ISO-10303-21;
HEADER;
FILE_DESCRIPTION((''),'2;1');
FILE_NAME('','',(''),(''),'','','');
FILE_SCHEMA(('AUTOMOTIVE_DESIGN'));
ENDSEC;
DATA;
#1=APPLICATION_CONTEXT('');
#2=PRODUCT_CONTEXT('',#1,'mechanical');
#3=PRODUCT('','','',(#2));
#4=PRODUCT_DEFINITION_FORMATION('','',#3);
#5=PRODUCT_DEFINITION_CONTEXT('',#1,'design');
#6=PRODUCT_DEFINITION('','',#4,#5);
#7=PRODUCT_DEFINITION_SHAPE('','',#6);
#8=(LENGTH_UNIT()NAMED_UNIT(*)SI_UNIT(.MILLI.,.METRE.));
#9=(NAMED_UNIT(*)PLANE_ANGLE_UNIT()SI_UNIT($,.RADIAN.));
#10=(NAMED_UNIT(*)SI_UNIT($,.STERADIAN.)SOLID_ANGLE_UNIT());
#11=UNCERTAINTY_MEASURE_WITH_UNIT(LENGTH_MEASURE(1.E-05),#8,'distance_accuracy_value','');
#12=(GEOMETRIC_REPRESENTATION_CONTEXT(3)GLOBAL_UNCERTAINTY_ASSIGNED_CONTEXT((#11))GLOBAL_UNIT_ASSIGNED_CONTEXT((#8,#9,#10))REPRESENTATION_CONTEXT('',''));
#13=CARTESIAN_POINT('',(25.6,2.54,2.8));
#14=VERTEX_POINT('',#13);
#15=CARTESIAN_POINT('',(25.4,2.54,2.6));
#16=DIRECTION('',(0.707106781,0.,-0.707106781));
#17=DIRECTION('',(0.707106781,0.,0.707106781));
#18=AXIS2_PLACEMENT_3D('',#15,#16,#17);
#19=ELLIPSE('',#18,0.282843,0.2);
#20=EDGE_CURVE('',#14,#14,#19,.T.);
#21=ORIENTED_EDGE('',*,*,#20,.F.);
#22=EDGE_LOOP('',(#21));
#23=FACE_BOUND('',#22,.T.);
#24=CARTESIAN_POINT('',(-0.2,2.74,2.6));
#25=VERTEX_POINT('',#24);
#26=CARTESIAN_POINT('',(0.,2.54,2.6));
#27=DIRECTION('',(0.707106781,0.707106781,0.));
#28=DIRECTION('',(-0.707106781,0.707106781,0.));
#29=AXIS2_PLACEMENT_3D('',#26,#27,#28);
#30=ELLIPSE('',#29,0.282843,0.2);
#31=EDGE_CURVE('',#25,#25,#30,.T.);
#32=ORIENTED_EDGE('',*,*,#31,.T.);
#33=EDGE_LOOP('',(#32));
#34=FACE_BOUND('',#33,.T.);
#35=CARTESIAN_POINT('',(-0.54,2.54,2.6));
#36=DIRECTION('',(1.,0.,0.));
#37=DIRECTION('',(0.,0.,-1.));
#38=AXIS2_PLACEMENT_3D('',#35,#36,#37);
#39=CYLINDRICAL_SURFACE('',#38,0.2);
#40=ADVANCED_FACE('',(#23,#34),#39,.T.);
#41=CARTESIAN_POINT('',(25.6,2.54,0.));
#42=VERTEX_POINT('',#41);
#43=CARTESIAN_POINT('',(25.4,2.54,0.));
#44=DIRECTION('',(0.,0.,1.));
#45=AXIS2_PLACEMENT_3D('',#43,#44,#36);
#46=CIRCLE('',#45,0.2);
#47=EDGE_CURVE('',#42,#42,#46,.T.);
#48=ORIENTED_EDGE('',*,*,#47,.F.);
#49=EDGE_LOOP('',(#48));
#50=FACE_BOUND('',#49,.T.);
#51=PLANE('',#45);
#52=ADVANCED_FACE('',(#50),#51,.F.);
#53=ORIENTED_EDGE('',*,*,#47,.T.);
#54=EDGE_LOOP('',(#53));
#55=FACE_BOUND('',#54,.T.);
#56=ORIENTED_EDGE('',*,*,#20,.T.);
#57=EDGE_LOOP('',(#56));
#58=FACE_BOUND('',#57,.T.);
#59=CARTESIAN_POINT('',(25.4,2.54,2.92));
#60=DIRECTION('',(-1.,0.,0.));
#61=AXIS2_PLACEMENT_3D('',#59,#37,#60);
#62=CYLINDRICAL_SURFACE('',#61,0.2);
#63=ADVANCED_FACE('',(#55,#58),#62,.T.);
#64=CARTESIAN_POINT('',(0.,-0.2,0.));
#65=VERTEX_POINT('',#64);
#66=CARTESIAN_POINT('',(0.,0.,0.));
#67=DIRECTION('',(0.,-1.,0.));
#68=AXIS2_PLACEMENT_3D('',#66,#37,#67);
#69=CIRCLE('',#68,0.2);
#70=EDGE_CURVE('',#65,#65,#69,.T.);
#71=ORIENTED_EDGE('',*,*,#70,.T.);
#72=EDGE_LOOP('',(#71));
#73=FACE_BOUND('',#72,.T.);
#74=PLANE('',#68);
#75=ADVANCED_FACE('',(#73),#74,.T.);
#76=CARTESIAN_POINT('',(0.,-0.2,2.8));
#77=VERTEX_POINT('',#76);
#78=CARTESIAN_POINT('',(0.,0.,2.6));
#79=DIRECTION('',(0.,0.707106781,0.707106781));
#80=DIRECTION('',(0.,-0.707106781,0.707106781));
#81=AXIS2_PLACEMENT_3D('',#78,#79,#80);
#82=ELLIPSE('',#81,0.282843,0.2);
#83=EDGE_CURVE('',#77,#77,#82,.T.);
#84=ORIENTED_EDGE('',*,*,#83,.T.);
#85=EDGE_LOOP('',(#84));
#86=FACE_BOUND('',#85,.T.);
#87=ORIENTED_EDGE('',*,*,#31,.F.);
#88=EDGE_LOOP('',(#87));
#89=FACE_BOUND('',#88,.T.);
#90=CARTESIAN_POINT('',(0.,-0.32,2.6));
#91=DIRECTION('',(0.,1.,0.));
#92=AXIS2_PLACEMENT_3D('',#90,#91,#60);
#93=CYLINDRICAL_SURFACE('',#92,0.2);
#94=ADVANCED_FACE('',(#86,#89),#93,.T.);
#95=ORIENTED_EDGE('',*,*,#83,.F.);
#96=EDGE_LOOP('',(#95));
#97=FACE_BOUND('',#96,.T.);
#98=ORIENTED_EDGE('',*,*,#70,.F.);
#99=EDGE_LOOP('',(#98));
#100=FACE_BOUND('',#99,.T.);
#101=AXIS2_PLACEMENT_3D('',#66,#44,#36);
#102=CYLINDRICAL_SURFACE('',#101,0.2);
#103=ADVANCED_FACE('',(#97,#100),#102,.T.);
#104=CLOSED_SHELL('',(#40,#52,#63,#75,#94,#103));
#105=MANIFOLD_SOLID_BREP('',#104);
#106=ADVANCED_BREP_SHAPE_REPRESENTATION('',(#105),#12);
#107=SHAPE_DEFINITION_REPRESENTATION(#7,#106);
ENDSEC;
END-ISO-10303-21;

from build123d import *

# Parameters (mm, degrees)
SWEEP1_PROFILE_R = 0.2


with BuildPart() as part:
    # Sweep1: sweep along a curve in space
    with BuildLine() as sweep1_path:
        Line((0, 0, 0), (0, 0, 2.6))
        Line((0, 0, 2.6), (0, 2.54, 2.6))
        Line((0, 2.54, 2.6), (25.4, 2.54, 2.6))
        Line((25.4, 2.54, 2.6), (25.4, 2.54, 0))
    # Sweep1 profile (on start of the path) → Sweep1 (sweep)
    with BuildSketch(Plane.XY):
        Circle(SWEEP1_PROFILE_R)
    sweep(path=sweep1_path.line, transition=Transition.RIGHT)


solid = part.part
